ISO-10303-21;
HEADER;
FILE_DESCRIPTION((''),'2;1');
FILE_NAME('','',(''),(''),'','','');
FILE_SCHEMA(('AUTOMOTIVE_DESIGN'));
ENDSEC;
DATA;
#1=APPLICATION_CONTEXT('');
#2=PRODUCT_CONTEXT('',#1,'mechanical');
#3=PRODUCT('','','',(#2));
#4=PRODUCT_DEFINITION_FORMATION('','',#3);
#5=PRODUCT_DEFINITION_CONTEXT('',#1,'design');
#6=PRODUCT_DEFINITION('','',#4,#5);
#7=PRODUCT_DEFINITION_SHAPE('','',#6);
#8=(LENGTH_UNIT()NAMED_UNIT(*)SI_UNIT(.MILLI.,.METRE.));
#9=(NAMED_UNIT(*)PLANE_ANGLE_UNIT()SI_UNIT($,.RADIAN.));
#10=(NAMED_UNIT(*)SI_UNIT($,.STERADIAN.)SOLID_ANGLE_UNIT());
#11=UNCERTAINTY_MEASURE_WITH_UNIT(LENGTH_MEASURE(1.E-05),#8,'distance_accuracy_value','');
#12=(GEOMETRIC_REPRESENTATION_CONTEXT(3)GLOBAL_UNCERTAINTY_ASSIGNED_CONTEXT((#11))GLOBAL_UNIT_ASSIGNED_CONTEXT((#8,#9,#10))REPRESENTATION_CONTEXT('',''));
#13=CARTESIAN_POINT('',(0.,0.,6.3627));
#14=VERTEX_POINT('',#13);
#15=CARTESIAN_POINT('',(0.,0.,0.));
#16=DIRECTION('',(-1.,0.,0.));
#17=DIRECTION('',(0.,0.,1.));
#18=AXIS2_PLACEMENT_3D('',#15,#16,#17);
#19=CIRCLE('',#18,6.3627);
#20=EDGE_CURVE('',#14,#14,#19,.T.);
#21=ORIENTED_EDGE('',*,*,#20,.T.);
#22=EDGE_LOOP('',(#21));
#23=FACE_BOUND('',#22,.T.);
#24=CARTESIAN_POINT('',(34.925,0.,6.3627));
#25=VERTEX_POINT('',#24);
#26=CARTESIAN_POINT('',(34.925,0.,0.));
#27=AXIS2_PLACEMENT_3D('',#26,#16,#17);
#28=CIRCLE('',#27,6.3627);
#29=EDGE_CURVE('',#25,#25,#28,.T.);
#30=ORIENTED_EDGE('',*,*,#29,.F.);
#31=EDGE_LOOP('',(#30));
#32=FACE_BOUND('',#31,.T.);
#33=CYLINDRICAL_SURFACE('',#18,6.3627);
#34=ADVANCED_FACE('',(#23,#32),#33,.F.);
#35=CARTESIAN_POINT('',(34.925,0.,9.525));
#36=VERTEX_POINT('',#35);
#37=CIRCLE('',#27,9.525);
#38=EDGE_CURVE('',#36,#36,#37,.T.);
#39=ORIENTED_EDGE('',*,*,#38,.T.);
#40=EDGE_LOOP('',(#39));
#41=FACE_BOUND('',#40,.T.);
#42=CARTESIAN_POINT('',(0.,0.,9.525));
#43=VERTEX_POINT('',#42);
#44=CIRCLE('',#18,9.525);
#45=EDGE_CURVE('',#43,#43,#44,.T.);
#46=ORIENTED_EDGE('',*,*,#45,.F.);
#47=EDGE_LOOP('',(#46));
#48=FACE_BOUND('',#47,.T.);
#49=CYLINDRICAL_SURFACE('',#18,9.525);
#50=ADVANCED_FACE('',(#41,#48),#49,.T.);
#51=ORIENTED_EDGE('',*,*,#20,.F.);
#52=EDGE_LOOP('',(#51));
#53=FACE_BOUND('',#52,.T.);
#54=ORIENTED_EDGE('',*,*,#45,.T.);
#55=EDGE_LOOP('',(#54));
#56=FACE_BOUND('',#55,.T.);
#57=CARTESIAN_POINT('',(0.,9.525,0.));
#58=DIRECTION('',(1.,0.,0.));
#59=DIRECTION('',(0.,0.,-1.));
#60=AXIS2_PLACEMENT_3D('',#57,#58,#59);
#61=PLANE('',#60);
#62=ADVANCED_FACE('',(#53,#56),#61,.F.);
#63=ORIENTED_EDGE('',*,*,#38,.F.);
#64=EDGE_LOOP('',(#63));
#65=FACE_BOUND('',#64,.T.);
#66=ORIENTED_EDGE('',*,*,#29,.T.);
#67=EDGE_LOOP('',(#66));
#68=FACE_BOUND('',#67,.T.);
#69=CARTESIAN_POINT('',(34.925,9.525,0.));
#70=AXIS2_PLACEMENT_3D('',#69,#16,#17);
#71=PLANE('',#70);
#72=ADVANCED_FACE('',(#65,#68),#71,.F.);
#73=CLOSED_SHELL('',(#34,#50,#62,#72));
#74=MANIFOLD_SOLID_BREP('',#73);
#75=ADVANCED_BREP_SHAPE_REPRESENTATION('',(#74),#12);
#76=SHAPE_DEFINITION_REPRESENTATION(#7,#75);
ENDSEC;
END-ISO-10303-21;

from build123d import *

# Parameters (mm, degrees)
SKETCH1_W = 34.925
SKETCH1_H = 3.1623


with BuildPart() as part:
    # Sketch1 → Revolve1 (revolve)
    with BuildSketch(Plane.XY):
        with Locations((17.4625, 7.94385)):
            Rectangle(SKETCH1_W, SKETCH1_H)
    revolve(axis=Axis((0, 0, 0), (1, 0, 0)))


solid = part.part
